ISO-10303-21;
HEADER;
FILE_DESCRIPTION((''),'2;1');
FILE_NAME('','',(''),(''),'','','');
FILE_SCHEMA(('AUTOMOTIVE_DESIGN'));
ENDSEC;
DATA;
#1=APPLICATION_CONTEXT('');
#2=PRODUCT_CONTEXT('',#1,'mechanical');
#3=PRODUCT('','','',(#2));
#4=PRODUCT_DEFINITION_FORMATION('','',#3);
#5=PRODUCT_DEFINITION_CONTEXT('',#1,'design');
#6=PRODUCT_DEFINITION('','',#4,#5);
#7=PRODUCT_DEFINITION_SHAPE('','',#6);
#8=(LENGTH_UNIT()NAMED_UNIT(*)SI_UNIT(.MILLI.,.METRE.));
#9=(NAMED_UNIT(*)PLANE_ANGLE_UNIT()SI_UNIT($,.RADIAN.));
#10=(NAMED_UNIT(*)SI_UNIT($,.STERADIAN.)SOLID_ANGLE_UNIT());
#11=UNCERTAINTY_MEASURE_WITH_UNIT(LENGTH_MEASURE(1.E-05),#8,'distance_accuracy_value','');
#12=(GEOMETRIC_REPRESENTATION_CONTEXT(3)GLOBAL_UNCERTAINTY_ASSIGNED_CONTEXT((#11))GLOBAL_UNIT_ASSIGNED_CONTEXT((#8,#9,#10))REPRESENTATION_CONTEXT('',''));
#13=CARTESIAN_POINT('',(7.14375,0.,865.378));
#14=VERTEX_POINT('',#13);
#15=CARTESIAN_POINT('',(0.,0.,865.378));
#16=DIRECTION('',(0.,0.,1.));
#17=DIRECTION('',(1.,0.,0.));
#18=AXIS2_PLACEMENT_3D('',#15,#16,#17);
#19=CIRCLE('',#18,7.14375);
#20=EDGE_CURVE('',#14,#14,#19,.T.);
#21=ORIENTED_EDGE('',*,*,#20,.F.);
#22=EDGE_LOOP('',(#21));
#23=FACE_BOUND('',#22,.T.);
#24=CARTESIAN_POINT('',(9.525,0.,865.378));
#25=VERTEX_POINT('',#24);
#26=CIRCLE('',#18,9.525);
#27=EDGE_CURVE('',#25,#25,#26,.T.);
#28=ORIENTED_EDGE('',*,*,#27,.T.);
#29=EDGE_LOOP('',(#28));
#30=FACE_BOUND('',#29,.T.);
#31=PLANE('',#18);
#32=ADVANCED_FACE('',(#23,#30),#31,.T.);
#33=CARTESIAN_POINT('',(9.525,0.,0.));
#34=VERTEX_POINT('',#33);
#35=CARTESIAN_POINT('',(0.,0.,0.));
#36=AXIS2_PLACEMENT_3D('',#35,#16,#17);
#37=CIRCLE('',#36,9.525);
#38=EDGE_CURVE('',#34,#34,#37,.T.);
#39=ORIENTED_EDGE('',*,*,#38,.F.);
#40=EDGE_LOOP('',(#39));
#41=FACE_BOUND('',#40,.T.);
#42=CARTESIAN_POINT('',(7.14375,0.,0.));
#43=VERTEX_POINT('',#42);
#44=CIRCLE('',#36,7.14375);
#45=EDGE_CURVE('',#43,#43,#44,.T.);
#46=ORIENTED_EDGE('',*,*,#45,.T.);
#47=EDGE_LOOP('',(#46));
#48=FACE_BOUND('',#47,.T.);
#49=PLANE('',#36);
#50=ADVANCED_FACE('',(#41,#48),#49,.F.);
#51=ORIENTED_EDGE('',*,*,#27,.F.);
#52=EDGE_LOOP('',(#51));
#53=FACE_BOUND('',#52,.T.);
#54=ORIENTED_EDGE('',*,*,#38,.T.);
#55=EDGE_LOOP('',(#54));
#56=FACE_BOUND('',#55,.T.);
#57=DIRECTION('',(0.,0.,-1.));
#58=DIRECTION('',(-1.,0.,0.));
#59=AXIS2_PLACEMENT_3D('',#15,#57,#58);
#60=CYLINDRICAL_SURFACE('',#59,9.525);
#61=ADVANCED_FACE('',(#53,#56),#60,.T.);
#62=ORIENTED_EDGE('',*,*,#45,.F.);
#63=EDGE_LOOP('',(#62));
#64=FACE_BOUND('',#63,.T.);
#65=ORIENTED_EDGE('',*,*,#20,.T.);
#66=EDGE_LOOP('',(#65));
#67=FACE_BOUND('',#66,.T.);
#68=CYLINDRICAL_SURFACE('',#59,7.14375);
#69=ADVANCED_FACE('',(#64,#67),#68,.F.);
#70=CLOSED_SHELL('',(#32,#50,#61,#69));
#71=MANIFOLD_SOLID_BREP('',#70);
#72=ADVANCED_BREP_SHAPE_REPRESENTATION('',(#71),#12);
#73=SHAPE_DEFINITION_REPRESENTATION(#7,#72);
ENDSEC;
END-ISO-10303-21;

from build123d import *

# Parameters (mm, degrees)
SKETCH1_R           = 9.525
SKETCH1_R_2         = 7.14375
BOSS_EXTRUDE1_DEPTH = 865.378


with BuildPart() as part:
    # Sketch1 → Boss-Extrude1 (new body)
    with BuildSketch(Plane.XY):
        Circle(SKETCH1_R)
        Circle(SKETCH1_R_2, mode=Mode.SUBTRACT)
    extrude(amount=BOSS_EXTRUDE1_DEPTH)


solid = part.part
